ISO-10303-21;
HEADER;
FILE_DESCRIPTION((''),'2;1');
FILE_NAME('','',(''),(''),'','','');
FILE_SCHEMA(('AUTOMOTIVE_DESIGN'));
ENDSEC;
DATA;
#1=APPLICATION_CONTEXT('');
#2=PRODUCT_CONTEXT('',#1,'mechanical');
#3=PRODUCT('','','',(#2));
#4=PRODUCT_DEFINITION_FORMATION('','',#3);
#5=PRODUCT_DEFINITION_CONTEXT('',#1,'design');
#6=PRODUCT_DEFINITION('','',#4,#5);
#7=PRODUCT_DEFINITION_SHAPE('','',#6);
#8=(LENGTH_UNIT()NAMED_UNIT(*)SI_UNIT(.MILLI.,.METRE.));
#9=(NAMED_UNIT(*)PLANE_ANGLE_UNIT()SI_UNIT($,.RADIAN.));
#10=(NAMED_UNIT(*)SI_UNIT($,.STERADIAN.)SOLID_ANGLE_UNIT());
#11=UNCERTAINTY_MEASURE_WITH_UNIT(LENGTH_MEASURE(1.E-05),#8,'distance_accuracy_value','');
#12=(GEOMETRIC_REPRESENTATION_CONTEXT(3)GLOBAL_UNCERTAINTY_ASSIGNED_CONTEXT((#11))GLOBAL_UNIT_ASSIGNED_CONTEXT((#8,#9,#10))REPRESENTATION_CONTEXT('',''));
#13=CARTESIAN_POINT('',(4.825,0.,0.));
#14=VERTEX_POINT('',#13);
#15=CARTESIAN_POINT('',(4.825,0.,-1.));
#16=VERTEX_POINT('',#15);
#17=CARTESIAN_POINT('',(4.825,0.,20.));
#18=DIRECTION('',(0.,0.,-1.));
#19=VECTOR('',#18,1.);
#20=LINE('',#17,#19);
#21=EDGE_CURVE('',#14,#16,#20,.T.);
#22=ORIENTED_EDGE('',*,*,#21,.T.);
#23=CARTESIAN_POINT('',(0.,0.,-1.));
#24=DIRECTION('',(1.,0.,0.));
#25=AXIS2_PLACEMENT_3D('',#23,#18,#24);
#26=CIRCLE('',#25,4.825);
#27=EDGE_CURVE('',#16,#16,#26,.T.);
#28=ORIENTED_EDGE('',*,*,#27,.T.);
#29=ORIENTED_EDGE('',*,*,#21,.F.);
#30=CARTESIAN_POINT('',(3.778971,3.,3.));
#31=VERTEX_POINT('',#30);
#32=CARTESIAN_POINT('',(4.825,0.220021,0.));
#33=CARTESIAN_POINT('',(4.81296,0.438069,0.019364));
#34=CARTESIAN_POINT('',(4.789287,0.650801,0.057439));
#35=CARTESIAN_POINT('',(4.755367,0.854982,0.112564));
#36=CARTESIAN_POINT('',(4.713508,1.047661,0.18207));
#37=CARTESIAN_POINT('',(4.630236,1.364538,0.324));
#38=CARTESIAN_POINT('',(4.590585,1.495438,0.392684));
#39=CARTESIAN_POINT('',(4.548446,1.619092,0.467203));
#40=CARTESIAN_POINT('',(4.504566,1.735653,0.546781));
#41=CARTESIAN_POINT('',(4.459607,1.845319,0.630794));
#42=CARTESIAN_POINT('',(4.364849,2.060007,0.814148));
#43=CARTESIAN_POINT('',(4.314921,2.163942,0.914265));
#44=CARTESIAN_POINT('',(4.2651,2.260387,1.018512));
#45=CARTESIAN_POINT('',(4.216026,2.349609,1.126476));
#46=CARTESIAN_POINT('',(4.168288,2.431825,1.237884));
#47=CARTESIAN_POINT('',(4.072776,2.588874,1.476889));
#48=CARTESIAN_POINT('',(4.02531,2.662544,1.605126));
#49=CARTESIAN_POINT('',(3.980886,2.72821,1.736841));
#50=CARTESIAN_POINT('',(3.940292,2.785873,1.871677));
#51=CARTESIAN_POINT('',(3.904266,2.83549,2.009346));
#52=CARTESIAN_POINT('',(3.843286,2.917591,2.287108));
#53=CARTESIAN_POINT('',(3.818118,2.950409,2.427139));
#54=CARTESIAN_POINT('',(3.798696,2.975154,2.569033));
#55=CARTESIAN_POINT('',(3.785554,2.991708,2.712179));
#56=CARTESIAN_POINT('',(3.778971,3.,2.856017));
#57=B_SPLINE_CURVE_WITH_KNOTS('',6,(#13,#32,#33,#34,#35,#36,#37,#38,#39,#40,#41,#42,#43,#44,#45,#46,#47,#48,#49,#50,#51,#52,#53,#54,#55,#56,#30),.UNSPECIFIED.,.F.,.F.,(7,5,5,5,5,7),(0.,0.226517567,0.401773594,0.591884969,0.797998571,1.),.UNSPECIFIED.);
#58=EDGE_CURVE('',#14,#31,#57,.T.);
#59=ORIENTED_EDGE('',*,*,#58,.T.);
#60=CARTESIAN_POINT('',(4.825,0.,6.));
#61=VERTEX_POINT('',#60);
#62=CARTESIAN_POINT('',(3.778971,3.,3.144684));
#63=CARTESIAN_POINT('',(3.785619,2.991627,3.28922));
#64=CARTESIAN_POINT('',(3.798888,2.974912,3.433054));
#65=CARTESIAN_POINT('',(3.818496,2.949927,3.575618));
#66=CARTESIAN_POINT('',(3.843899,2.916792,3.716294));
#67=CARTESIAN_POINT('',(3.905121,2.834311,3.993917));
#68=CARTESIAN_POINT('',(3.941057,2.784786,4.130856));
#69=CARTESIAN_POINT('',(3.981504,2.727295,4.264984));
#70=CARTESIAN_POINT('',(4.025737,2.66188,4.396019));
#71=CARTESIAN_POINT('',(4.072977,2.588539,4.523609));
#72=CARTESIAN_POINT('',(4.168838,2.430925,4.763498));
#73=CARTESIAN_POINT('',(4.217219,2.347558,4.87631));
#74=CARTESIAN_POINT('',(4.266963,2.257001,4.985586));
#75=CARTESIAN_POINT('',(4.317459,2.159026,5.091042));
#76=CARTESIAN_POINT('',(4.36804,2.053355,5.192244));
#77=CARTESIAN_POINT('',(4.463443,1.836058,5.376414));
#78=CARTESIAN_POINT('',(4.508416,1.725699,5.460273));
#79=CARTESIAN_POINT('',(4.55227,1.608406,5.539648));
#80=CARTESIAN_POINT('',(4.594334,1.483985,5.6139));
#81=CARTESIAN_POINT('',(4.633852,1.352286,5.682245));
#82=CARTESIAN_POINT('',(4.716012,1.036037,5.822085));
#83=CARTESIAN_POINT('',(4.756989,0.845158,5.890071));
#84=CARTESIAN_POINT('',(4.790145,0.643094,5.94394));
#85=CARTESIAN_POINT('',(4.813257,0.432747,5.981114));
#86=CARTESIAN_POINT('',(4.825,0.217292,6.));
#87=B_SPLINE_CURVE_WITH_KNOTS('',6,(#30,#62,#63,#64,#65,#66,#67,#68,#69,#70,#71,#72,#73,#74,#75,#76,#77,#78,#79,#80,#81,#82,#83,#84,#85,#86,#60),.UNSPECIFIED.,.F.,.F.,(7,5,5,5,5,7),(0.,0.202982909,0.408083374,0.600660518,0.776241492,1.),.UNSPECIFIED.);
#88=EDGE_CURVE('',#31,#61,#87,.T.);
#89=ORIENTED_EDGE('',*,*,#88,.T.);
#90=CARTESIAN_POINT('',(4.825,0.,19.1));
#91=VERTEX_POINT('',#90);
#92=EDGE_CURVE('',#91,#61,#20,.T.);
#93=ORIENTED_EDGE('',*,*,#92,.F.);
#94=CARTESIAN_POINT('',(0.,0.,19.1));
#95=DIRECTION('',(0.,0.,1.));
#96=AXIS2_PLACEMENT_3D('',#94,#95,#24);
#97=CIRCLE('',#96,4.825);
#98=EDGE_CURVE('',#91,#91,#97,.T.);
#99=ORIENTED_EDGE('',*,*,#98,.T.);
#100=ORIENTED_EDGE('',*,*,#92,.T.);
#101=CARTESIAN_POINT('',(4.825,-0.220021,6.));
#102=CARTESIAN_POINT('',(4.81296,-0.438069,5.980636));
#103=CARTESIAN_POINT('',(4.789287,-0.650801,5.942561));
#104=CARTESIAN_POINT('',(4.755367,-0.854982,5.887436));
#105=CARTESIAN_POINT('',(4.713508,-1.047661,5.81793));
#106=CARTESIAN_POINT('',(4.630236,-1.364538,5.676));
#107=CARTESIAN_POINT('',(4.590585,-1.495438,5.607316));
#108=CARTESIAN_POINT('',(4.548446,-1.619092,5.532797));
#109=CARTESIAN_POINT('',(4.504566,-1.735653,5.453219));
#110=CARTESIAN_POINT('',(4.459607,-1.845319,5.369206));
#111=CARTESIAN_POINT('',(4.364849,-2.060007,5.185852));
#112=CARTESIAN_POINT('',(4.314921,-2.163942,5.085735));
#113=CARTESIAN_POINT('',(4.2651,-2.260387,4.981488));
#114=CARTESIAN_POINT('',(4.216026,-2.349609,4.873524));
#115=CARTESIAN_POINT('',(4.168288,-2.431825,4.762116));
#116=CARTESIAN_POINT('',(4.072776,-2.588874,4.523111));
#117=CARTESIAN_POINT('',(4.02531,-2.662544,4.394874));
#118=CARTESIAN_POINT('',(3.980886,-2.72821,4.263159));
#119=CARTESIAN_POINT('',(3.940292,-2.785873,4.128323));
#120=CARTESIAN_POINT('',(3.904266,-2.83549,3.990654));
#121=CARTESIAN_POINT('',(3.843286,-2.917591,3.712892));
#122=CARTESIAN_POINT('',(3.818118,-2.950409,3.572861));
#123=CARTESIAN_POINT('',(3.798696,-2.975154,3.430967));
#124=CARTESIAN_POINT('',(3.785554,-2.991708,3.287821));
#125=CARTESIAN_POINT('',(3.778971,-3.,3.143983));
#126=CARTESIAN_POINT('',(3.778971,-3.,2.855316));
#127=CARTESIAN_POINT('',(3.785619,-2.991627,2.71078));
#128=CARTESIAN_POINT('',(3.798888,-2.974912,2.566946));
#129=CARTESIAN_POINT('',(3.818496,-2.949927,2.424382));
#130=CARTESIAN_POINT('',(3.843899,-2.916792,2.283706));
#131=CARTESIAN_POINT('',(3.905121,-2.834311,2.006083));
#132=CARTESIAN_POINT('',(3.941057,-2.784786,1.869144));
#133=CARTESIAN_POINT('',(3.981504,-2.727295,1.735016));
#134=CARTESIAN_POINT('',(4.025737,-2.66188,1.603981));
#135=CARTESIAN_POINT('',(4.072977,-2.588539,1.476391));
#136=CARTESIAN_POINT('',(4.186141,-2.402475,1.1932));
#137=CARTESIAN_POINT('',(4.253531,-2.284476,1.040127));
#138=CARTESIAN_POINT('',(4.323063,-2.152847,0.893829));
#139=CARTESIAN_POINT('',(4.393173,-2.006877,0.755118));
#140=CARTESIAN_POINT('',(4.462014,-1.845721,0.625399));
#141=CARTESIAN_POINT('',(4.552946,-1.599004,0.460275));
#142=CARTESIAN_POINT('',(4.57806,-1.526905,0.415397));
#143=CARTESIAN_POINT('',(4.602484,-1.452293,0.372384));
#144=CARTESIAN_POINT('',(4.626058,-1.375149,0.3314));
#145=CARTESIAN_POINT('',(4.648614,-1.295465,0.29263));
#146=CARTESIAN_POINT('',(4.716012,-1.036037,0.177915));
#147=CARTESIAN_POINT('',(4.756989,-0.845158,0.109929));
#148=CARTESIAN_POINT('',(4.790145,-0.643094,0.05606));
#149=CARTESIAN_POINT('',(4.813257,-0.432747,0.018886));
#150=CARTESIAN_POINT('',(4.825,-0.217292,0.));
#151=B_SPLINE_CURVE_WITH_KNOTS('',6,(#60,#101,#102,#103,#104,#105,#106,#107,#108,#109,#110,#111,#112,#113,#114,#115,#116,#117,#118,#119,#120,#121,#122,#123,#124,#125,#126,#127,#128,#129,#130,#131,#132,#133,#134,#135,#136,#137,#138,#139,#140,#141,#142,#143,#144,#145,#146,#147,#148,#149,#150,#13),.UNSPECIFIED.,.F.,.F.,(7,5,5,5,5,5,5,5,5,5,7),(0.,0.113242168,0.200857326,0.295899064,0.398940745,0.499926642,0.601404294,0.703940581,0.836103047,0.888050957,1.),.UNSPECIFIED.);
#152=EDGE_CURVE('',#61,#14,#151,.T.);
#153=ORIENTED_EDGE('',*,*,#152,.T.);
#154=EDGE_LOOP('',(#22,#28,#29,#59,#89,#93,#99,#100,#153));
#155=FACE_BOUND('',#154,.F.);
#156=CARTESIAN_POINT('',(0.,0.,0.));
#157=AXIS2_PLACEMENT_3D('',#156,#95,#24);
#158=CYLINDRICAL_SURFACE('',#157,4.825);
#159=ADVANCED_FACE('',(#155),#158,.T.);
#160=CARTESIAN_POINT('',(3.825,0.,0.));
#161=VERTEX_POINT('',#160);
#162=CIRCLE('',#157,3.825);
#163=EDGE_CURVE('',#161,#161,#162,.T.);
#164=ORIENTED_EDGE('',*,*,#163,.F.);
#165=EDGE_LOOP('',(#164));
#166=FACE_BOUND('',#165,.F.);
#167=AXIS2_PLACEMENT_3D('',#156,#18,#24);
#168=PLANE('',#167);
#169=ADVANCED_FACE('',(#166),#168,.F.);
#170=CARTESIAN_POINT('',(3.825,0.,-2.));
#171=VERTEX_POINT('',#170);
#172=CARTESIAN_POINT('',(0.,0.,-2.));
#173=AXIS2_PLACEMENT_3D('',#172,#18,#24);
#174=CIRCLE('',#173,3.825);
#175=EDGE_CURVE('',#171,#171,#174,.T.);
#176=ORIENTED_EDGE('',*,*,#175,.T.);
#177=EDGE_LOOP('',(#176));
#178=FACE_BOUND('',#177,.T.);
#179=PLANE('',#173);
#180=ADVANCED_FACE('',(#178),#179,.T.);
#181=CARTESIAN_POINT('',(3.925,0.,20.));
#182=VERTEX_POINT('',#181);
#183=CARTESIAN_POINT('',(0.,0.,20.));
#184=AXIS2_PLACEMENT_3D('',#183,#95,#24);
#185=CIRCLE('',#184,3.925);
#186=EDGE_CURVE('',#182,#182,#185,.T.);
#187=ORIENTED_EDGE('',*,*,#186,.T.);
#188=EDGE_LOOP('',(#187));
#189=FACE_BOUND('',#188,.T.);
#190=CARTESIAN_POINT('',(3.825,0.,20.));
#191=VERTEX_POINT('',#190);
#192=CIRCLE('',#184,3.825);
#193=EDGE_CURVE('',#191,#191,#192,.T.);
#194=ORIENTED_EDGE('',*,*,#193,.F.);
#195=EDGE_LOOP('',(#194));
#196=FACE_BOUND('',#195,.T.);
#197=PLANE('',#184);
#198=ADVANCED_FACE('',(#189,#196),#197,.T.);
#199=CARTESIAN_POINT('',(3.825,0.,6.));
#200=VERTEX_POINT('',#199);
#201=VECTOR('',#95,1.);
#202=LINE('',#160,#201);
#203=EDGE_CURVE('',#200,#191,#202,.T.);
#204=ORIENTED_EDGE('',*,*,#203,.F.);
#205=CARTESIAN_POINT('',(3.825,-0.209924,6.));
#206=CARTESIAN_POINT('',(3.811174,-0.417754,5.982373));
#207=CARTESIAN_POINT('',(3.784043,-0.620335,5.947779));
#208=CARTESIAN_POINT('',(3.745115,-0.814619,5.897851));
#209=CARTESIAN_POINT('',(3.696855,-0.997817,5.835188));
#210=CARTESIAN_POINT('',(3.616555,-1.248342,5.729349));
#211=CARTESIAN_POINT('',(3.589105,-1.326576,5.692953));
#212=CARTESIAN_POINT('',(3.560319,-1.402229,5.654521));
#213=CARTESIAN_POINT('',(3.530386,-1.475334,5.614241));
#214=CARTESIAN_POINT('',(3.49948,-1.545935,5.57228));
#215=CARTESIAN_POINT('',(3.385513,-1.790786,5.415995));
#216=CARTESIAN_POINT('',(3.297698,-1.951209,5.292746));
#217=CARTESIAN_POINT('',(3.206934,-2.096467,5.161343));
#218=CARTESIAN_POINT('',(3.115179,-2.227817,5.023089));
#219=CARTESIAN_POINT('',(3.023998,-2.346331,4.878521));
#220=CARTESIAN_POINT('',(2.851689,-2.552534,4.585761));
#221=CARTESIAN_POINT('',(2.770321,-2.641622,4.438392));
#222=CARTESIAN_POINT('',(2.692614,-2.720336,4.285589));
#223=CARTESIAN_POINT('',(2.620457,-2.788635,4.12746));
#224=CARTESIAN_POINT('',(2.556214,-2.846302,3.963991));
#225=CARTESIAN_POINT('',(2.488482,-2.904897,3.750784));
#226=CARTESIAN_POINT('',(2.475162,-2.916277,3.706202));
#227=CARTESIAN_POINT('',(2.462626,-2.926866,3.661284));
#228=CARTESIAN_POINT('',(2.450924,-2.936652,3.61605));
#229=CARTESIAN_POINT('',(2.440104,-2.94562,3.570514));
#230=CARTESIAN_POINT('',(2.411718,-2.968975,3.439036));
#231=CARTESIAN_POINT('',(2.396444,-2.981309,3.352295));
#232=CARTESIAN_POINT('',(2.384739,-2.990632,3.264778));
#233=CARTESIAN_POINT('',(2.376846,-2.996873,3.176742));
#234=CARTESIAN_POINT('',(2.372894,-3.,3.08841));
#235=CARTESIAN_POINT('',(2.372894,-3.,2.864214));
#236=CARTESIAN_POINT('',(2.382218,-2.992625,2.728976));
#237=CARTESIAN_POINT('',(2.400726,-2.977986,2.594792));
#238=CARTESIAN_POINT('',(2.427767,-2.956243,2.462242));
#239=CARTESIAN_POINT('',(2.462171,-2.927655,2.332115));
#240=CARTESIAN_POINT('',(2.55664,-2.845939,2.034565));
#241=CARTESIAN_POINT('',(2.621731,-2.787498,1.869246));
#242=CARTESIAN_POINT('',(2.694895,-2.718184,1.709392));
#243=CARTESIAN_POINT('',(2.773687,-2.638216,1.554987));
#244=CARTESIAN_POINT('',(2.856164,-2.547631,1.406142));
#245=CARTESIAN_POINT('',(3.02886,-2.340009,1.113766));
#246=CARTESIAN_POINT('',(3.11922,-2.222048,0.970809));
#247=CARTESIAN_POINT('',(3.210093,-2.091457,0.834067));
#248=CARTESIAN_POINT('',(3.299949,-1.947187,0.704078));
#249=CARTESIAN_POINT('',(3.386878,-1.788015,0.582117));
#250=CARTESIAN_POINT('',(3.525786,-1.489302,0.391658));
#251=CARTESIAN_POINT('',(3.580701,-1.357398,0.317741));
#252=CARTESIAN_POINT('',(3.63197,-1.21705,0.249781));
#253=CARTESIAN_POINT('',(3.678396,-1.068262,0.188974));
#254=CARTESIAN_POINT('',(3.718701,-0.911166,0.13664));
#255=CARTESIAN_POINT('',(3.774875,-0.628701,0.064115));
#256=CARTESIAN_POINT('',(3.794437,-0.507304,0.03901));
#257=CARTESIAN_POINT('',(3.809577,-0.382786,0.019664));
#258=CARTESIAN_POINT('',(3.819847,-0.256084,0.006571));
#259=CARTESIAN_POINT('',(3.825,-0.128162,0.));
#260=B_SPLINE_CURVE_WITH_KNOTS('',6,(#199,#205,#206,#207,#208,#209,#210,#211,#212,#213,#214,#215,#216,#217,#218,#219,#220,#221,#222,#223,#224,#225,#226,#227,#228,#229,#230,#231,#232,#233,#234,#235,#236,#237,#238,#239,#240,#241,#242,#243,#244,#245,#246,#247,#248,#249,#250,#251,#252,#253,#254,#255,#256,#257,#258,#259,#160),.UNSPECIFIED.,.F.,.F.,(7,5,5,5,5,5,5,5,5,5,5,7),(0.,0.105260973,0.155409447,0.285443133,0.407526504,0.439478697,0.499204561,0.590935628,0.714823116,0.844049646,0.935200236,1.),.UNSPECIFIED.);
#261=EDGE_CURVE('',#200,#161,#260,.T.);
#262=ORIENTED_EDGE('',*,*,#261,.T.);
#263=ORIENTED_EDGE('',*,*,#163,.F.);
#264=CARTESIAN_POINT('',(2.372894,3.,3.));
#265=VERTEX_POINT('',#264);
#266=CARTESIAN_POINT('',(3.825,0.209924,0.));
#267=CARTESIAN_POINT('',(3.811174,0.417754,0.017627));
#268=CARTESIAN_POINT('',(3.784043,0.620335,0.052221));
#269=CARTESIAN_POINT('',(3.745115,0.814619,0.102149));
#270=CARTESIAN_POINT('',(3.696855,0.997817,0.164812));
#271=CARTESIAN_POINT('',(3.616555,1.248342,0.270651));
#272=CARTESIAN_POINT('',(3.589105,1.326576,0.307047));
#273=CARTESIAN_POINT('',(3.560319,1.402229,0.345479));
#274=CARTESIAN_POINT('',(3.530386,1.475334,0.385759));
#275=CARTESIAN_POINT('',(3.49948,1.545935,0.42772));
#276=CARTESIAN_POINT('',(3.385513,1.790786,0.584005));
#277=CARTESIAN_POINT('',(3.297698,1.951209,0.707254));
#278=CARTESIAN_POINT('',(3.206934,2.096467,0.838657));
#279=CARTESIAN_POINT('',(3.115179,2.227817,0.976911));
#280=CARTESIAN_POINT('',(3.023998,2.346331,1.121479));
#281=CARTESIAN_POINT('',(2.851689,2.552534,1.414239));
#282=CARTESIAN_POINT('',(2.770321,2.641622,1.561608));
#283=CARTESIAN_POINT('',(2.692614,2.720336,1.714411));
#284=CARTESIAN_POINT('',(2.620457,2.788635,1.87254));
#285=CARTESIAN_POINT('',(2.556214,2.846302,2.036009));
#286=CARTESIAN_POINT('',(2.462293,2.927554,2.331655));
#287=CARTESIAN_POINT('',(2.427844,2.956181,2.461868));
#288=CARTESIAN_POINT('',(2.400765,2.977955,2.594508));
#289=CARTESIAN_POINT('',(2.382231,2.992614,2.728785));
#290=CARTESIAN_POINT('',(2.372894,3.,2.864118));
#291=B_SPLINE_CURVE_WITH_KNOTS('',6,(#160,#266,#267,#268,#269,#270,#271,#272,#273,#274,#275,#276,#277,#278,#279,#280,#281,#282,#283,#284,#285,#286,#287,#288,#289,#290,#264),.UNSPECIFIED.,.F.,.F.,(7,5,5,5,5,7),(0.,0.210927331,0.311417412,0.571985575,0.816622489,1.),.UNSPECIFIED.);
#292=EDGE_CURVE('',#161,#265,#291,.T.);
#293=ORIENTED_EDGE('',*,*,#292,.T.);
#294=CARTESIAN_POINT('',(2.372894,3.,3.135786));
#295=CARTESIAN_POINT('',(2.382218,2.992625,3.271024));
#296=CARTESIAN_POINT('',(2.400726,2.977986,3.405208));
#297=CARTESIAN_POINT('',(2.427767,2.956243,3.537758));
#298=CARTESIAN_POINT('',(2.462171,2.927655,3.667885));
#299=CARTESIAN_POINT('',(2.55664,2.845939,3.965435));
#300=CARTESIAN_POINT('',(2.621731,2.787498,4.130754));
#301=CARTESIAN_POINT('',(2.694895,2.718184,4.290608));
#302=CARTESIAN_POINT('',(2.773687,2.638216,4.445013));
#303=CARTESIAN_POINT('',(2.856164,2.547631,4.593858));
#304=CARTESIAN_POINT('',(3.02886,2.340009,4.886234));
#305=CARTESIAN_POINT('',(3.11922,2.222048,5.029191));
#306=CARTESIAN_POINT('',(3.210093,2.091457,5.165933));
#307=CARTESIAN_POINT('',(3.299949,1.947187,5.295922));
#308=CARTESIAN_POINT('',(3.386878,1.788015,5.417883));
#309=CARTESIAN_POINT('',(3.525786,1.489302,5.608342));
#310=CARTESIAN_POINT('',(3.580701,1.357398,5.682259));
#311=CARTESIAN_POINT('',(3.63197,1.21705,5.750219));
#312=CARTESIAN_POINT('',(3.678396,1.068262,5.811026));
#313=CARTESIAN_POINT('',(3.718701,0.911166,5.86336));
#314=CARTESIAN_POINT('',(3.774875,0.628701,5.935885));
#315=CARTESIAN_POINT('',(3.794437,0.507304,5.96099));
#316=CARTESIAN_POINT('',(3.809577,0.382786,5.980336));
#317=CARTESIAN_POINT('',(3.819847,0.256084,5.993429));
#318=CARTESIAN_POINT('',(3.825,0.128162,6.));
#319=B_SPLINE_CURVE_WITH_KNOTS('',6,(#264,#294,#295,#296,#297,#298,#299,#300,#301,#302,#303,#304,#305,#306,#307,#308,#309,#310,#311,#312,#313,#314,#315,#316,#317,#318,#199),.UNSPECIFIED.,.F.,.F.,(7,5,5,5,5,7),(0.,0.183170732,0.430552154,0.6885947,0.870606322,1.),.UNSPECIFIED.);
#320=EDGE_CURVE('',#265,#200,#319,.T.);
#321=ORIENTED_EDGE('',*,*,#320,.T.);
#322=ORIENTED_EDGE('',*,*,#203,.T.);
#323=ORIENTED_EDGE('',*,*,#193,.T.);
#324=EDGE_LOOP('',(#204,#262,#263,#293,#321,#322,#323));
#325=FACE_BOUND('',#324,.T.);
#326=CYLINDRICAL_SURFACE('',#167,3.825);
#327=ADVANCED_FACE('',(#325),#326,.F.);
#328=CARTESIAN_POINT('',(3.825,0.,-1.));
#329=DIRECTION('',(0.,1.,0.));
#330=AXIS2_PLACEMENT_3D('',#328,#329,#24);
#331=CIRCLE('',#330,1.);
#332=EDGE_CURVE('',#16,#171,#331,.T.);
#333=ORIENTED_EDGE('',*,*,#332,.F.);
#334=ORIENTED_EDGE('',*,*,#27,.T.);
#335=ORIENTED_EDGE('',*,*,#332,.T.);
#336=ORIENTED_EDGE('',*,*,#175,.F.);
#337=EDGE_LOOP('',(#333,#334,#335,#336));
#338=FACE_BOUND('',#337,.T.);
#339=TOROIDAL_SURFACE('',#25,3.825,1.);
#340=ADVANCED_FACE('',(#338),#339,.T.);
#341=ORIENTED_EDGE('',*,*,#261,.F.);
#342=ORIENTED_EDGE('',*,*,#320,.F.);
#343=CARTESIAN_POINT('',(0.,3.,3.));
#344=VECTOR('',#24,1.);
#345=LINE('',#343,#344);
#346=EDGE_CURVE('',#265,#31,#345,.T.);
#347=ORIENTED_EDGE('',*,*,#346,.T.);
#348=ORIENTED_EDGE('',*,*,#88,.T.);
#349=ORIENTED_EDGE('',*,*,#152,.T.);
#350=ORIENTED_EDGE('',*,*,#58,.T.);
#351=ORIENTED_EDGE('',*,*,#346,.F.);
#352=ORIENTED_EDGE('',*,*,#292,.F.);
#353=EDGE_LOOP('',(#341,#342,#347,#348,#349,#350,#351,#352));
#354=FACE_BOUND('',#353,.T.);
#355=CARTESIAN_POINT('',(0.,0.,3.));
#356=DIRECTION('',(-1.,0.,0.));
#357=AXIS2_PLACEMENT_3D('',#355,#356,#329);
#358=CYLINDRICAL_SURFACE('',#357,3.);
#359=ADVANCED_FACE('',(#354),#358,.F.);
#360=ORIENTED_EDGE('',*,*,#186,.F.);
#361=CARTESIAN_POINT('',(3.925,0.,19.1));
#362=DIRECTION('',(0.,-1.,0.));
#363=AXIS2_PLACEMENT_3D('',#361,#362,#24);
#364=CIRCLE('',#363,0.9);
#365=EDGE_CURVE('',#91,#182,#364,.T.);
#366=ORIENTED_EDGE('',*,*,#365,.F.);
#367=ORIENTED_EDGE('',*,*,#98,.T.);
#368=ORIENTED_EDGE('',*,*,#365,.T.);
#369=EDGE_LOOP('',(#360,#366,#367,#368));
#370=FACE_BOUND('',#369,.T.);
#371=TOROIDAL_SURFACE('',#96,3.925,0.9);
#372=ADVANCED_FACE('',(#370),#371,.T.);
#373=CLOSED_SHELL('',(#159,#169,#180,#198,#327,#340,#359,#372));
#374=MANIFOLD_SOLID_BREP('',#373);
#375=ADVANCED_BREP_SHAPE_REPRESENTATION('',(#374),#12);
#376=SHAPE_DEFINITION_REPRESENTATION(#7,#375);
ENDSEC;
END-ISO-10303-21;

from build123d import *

# Parameters (mm, degrees)
SKETCH002_R  = 3
PAD002_DEPTH = 10
SKETCH_R     = 4.825
SKETCH_R_2   = 3.825
PAD_DEPTH    = 20
SKETCH001_R  = 4.825
PAD001_DEPTH = 2
FILLET_R     = 1
FILLET001_R  = 0.9


with BuildPart() as body001:
    # Sketch002 → Pad002 (new body)
    with BuildSketch(Plane.YZ):
        with Locations((0, 3)):
            Circle(SKETCH002_R)
    extrude(amount=PAD002_DEPTH)


with BuildPart() as body:
    # Sketch → Pad (new body)
    with BuildSketch(Plane.XY):
        Circle(SKETCH_R)
        Circle(SKETCH_R_2, mode=Mode.SUBTRACT)
    extrude(amount=PAD_DEPTH)

    # Sketch001 (on Face3 of Pad) → Pad001 (join)
    with BuildSketch(Plane(origin=(0, 0, 0), x_dir=(1, 0, 0), z_dir=(0, 0, -1))):
        Circle(SKETCH001_R)
    extrude(amount=PAD001_DEPTH)

    # Boolean: cut Body001
    add(body001.part, mode=Mode.SUBTRACT)

    # Fillet
    fillet_edges = [body.edges().sort_by_distance(p)[0] for p in [
        (-4.825, 0, -2),
    ]]
    fillet(fillet_edges, radius=FILLET_R)

    # Fillet001
    fillet001_edges = [body.edges().sort_by_distance(p)[0] for p in [
        (-4.825, 0, 20),
    ]]
    fillet(fillet001_edges, radius=FILLET001_R)


solid = body.part
